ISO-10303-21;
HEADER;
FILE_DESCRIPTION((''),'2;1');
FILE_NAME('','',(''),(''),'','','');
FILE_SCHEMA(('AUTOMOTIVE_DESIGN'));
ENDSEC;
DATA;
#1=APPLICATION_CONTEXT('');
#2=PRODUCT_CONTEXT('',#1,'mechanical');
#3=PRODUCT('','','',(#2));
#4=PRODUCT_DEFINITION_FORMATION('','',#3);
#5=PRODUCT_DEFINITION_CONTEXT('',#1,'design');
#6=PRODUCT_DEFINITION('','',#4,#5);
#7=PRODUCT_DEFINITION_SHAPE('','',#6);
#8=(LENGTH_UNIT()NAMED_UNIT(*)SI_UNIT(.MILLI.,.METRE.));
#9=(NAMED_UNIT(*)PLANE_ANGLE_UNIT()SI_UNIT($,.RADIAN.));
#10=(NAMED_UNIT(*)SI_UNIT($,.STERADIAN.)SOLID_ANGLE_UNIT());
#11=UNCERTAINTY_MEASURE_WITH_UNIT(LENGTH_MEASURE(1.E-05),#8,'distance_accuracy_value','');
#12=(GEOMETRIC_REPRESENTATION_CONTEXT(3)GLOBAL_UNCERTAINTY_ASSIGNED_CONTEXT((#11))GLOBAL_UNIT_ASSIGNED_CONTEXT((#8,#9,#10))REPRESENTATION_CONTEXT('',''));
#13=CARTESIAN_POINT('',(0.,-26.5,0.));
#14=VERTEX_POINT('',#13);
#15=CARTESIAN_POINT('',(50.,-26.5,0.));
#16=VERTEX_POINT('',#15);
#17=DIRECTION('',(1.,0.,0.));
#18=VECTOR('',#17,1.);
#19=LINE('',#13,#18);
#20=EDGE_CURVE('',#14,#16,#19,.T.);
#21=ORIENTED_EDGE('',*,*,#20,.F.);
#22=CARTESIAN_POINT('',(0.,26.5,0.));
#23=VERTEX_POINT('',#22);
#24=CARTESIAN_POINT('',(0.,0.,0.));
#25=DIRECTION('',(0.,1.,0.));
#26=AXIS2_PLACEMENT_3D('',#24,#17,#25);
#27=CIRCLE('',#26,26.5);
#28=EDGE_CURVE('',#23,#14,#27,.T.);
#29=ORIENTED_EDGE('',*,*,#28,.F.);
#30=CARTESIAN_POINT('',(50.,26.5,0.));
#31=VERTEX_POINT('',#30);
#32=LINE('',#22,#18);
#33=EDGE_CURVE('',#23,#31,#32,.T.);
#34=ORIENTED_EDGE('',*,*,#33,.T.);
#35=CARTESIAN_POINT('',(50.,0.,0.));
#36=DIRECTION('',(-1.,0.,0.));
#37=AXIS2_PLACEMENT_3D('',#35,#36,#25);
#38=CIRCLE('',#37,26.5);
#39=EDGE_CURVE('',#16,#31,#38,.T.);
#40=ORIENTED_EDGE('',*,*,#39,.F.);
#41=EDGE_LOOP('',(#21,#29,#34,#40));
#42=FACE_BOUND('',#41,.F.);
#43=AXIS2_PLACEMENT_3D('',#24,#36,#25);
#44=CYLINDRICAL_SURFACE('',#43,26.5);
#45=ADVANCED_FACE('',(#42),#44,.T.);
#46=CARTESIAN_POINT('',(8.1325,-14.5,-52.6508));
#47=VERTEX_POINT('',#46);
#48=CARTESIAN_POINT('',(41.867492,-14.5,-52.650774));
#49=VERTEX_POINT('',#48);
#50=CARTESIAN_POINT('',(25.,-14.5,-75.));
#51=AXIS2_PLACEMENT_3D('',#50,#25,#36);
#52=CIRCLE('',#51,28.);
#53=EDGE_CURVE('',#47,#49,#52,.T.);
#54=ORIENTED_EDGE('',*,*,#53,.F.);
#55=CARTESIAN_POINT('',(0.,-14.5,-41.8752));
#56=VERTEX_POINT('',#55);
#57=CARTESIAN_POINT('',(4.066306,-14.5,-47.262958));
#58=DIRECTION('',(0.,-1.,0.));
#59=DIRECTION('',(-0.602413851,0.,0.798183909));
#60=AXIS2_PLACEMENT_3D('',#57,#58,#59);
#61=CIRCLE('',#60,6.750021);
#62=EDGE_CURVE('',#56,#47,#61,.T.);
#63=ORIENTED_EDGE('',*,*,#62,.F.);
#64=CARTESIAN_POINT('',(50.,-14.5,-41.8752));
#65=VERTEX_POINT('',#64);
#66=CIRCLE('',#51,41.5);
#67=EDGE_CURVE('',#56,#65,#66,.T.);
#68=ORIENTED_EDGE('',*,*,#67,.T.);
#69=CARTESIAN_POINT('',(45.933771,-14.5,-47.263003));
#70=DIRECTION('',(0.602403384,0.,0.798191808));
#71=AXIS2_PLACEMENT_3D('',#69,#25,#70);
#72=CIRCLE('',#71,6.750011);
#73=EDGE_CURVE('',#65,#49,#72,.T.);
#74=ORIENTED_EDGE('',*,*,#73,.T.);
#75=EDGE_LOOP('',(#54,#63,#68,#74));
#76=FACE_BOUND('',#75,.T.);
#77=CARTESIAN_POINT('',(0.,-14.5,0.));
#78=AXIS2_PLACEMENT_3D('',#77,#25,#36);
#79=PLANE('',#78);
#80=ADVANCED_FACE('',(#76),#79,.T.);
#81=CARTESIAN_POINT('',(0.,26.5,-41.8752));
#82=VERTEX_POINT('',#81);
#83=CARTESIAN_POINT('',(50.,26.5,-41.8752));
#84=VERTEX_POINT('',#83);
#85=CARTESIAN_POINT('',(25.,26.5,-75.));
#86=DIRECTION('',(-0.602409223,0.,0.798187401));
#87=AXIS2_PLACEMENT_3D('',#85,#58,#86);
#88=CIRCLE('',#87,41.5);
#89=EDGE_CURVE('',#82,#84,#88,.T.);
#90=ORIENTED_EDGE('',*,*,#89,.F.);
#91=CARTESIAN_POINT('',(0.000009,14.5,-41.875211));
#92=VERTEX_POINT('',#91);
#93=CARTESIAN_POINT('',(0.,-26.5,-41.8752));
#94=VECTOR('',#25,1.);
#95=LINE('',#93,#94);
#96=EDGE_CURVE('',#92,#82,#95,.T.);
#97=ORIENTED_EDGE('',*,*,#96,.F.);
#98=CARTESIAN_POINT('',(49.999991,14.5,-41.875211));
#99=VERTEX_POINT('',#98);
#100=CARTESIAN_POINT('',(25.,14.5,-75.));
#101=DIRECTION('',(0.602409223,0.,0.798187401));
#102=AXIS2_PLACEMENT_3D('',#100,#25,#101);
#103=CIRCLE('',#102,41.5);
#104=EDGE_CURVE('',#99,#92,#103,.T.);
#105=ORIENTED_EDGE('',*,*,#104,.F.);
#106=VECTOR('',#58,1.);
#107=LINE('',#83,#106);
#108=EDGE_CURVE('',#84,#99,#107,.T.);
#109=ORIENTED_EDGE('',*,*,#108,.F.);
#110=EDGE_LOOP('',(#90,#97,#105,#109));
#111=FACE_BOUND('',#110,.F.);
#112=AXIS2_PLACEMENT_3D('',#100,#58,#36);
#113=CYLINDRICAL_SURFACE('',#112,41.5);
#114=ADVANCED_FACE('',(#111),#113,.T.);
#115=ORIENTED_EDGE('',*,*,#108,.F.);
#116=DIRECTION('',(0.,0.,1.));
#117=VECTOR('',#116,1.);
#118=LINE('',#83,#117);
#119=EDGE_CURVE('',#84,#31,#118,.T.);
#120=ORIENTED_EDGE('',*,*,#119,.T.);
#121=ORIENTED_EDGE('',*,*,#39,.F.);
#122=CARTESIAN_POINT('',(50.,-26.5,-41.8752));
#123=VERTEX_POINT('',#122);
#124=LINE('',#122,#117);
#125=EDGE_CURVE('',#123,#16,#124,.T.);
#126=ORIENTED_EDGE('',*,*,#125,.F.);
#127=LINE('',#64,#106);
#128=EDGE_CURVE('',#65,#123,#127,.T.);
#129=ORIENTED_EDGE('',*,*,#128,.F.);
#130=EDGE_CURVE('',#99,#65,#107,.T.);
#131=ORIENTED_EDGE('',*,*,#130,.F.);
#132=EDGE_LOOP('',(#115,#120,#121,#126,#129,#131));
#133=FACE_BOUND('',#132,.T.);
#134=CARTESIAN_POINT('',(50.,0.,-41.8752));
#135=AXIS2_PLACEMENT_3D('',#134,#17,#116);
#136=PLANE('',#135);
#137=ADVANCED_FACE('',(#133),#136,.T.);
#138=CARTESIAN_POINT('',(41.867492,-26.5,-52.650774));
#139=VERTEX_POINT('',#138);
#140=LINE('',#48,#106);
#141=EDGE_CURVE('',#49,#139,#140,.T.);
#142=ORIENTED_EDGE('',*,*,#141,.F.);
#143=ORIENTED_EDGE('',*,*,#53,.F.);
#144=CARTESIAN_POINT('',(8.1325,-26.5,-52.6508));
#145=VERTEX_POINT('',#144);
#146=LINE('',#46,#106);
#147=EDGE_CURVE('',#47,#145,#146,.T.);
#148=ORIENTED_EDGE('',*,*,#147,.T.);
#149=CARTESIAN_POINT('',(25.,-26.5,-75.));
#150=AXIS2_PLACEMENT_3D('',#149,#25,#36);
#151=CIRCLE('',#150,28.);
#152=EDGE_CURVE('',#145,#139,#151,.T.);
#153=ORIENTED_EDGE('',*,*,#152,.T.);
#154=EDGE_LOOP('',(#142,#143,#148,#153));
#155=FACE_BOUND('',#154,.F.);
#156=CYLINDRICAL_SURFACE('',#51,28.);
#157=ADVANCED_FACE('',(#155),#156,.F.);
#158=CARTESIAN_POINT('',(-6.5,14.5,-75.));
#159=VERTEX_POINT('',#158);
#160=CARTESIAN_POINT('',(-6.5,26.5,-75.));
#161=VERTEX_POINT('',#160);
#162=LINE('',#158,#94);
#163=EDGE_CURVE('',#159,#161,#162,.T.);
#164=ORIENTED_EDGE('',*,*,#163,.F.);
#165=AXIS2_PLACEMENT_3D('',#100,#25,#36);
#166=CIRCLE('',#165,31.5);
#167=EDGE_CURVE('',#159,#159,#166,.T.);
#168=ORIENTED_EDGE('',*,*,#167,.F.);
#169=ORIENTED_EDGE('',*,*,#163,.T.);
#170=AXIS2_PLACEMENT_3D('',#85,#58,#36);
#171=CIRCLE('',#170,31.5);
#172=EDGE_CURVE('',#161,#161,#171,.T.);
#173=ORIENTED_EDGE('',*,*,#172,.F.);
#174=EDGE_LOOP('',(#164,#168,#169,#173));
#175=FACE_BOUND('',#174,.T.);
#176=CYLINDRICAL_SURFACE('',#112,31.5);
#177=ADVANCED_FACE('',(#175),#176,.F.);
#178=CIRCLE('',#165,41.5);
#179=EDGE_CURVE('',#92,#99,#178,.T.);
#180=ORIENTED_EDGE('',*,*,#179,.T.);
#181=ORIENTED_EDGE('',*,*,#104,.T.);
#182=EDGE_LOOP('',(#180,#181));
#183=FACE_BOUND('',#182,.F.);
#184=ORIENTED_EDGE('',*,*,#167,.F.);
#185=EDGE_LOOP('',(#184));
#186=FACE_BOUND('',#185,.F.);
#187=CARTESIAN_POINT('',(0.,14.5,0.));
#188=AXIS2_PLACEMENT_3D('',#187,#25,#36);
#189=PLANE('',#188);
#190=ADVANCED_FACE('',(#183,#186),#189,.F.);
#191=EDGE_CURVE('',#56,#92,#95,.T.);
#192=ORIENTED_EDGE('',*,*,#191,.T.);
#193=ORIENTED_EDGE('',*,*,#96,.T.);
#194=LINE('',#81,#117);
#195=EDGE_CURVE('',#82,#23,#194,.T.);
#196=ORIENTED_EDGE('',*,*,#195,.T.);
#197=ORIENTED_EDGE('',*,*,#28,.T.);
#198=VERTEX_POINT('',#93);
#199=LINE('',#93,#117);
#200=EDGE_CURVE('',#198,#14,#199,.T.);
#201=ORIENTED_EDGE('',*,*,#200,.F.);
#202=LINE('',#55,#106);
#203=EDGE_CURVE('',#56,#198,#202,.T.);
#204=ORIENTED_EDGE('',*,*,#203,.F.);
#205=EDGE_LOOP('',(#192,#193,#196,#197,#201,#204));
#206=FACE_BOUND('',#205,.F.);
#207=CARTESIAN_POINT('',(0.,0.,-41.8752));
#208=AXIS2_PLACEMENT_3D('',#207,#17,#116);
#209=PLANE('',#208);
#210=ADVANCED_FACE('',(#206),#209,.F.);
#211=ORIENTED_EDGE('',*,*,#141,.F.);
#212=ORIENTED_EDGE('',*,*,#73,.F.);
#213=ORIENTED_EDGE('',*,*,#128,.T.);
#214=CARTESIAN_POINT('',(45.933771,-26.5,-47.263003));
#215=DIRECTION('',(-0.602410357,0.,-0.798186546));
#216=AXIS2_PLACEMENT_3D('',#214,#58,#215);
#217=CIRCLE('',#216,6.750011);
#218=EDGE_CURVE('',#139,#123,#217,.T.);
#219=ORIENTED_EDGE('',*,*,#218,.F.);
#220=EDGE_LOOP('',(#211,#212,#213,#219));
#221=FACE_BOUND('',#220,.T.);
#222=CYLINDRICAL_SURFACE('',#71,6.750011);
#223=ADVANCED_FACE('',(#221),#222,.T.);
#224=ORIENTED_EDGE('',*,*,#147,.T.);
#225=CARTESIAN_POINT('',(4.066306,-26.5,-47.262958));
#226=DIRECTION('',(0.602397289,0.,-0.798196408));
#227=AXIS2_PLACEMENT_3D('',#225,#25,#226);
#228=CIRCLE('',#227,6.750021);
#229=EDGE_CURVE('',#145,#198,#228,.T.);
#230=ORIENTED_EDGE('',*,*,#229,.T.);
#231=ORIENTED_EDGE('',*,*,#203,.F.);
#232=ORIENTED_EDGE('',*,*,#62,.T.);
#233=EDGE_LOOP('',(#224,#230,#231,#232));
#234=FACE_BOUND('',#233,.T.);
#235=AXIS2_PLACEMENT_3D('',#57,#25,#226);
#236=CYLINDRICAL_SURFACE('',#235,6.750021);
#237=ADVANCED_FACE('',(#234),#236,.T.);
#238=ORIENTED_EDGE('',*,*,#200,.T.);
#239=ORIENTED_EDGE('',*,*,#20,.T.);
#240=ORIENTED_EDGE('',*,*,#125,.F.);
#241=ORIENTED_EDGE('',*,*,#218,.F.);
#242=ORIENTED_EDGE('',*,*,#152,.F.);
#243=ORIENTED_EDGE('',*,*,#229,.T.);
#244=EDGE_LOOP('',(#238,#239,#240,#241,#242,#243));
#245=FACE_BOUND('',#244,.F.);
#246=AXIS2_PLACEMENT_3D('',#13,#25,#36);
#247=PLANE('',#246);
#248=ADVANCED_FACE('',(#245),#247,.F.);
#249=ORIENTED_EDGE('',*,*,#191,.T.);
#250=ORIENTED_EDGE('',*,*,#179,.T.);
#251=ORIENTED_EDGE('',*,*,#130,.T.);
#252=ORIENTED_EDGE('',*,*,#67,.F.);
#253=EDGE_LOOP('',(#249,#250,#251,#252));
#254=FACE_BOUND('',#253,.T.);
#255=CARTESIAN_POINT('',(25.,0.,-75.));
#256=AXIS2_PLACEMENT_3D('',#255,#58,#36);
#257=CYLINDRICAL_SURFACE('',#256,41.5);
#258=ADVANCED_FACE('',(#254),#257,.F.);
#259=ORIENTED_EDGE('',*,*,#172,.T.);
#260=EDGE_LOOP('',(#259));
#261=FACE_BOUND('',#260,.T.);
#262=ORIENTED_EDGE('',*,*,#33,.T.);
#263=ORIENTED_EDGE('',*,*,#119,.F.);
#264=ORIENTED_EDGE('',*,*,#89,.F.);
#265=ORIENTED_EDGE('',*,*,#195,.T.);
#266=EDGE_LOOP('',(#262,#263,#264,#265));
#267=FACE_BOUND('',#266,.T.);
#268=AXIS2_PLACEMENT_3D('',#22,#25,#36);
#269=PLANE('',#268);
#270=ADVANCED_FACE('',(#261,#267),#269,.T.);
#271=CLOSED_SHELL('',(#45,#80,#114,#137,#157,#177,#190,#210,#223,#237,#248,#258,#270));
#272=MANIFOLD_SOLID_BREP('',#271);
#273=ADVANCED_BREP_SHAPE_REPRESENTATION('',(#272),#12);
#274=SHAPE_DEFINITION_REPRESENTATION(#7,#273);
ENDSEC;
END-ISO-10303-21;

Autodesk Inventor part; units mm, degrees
ref_plane "YZ Plane" through (0, 0, 0) normal (1, 0, 0) x (0, 1, 0)
sketch "Sketch2" plane through (0, 0, 0) normal (0, 1, 0) x (-1, 0, 0)
  circle A0 centre (-25, -75) radius 36 construction
  line L0 (-25, -75) -> (-61, -75) construction
  line L1 (-25, -75) -> (4.6941, -54.6466) construction
  circle A1 centre (-25, -75) radius 41.5
  circle A2 centre (-25, -75) radius 28
  arc A3 (-8.1325, -52.6508) -> (0, -41.8752) centre (-4.0663, -47.263) ccw
  arc A4 (-50, -41.8752) -> (-39.3017, -48.5193) centre (-45.9337, -47.263) ccw
  line L2 (-25, -75) -> (-4.0663, -47.263) construction
  circle A5 centre (-25, -75) radius 31.5
  line L3 (0, -41.8752) -> (0, 0)
  line L4 (-50, -41.8752) -> (-50, 0)
  line L5 (0, 0) -> (-50, 0)
  line L6 (-25, 0) -> (-25, -75) construction
  point P0 (15.9829, -68.469)
  point P1 (13.8342, -60.366)
  point P2 (-39.2078, -46.6936)
  point P3 (-41.8675, -52.6508)
  point P4 (-8.1325, -52.6508)
  dimension "d1" = 72
  dimension "d5" = 83
  dimension "d6" = 56
  dimension "d7" = 63
  dimension "d11" = 50
  dimension "d31" = 75
ref_plane "Work Plane1" through (0, -14.5, 0) normal (0, 1, 0) x (-1, 0, 0)
ref_plane "Work Plane2" through (0, 14.5, 0) normal (0, 1, 0) x (-1, 0, 0)
extrude "Extrusion1" add sketch "Sketch2" along normal blind 12 from surface at 14.5 contours A1 A4 A5 A3 | A3 A5 A4 A1
extrude "Extrusion2" add sketch "Sketch2" against normal blind 12 from surface at -14.5 contours A3 A5 A4 A1 | A3 A2 A4 A5 picked at (-44.9519, -42.6635) picked at (-38.3765, -47.944)
extrude "Extrusion3" add sketch "Sketch2" along normal mid plane 53 contours A1 L4 L5 L3
sketch "Sketch3" plane through (0, 0, 0) normal (1, 0, 0) x (0, 1, 0)
  line L0 (-26.5, 0) -> (26.5, 0) projected
  circle A0 centre (0, 0) radius 26.5
extrude "Extrusion4" add sketch "Sketch3" along normal up to surface (50 mm away)
properties part number "hip_back_left"
